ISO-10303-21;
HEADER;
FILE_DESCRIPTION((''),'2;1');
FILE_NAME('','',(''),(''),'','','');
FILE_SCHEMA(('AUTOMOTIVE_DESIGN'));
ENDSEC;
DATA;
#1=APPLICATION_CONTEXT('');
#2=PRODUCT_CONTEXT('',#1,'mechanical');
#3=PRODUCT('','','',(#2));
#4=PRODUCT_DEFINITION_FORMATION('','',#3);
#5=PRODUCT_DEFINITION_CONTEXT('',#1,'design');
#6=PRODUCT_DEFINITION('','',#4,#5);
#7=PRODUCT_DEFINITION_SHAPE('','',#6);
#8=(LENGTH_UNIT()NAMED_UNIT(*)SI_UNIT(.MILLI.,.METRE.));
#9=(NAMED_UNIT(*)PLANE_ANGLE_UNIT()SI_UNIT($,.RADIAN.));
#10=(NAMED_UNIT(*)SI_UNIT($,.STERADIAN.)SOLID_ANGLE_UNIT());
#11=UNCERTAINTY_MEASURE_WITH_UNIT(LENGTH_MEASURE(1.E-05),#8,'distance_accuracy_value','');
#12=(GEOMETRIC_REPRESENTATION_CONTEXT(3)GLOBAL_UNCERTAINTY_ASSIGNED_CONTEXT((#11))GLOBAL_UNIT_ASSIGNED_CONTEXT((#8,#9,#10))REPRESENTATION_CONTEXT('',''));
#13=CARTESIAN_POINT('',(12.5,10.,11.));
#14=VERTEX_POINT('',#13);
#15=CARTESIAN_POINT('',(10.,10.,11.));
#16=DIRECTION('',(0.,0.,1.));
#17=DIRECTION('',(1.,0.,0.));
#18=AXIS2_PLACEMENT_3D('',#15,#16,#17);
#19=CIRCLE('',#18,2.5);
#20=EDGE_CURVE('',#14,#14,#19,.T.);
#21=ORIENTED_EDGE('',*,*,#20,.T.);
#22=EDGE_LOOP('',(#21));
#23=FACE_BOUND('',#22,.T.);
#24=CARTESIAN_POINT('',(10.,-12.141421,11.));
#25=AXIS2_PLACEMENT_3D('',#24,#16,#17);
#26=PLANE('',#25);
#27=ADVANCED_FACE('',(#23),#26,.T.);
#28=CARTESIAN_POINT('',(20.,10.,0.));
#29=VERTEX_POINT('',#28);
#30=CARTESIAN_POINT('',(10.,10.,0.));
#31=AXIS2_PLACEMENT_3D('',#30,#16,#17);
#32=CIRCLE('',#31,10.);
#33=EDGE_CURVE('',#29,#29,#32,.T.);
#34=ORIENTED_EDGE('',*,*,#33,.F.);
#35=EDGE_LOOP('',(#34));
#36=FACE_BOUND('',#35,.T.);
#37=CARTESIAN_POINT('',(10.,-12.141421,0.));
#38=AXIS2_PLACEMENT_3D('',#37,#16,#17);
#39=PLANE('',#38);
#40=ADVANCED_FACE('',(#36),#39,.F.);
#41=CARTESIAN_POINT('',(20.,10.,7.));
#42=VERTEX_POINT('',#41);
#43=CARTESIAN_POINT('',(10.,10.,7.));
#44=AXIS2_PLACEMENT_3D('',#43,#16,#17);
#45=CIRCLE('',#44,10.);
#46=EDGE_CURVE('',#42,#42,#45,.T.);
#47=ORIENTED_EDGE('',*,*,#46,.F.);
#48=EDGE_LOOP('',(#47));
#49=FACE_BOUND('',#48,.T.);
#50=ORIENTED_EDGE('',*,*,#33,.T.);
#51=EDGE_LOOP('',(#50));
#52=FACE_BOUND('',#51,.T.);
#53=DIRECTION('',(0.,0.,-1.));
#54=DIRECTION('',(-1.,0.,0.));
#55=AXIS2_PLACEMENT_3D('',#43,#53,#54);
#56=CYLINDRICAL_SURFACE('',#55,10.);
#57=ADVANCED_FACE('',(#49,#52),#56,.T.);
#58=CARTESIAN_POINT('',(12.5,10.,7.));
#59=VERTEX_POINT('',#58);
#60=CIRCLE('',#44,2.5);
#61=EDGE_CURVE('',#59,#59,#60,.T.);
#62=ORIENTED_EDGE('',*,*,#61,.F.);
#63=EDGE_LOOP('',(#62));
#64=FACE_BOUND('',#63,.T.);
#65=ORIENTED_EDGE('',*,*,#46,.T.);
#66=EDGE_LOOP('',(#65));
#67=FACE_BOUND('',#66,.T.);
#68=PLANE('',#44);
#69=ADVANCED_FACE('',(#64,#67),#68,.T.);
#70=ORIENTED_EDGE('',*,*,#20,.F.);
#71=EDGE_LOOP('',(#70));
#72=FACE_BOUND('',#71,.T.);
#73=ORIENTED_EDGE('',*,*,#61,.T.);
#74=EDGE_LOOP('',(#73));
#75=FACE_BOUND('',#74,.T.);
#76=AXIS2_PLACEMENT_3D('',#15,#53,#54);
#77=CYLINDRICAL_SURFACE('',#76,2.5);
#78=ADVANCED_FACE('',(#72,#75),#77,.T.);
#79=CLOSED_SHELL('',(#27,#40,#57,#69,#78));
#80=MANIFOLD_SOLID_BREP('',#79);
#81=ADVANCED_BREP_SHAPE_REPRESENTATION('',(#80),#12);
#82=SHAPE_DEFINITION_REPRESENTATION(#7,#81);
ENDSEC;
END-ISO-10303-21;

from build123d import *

# Parameters (mm, degrees)
SKETCH1_R           = 2.5
BOSS_EXTRUDE1_DEPTH = 11
SKETCH1_3_R         = 10
SKETCH1_3_R_2       = 2.5
BOSS_EXTRUDE2_DEPTH = 7


with BuildPart() as part:
    # Sketch1 → Boss-Extrude1 (new body)
    with BuildSketch(Plane.XY):
        with Locations((10, 10)):
            Circle(SKETCH1_R)
    extrude(amount=BOSS_EXTRUDE1_DEPTH)

    # Sketch1<3> → Boss-Extrude2 (add)
    with BuildSketch(Plane.XY):
        with Locations((10, 10)):
            Circle(SKETCH1_3_R)
        with Locations((10, 10)):
            Circle(SKETCH1_3_R_2, mode=Mode.SUBTRACT)
    extrude(amount=BOSS_EXTRUDE2_DEPTH)


solid = part.part
